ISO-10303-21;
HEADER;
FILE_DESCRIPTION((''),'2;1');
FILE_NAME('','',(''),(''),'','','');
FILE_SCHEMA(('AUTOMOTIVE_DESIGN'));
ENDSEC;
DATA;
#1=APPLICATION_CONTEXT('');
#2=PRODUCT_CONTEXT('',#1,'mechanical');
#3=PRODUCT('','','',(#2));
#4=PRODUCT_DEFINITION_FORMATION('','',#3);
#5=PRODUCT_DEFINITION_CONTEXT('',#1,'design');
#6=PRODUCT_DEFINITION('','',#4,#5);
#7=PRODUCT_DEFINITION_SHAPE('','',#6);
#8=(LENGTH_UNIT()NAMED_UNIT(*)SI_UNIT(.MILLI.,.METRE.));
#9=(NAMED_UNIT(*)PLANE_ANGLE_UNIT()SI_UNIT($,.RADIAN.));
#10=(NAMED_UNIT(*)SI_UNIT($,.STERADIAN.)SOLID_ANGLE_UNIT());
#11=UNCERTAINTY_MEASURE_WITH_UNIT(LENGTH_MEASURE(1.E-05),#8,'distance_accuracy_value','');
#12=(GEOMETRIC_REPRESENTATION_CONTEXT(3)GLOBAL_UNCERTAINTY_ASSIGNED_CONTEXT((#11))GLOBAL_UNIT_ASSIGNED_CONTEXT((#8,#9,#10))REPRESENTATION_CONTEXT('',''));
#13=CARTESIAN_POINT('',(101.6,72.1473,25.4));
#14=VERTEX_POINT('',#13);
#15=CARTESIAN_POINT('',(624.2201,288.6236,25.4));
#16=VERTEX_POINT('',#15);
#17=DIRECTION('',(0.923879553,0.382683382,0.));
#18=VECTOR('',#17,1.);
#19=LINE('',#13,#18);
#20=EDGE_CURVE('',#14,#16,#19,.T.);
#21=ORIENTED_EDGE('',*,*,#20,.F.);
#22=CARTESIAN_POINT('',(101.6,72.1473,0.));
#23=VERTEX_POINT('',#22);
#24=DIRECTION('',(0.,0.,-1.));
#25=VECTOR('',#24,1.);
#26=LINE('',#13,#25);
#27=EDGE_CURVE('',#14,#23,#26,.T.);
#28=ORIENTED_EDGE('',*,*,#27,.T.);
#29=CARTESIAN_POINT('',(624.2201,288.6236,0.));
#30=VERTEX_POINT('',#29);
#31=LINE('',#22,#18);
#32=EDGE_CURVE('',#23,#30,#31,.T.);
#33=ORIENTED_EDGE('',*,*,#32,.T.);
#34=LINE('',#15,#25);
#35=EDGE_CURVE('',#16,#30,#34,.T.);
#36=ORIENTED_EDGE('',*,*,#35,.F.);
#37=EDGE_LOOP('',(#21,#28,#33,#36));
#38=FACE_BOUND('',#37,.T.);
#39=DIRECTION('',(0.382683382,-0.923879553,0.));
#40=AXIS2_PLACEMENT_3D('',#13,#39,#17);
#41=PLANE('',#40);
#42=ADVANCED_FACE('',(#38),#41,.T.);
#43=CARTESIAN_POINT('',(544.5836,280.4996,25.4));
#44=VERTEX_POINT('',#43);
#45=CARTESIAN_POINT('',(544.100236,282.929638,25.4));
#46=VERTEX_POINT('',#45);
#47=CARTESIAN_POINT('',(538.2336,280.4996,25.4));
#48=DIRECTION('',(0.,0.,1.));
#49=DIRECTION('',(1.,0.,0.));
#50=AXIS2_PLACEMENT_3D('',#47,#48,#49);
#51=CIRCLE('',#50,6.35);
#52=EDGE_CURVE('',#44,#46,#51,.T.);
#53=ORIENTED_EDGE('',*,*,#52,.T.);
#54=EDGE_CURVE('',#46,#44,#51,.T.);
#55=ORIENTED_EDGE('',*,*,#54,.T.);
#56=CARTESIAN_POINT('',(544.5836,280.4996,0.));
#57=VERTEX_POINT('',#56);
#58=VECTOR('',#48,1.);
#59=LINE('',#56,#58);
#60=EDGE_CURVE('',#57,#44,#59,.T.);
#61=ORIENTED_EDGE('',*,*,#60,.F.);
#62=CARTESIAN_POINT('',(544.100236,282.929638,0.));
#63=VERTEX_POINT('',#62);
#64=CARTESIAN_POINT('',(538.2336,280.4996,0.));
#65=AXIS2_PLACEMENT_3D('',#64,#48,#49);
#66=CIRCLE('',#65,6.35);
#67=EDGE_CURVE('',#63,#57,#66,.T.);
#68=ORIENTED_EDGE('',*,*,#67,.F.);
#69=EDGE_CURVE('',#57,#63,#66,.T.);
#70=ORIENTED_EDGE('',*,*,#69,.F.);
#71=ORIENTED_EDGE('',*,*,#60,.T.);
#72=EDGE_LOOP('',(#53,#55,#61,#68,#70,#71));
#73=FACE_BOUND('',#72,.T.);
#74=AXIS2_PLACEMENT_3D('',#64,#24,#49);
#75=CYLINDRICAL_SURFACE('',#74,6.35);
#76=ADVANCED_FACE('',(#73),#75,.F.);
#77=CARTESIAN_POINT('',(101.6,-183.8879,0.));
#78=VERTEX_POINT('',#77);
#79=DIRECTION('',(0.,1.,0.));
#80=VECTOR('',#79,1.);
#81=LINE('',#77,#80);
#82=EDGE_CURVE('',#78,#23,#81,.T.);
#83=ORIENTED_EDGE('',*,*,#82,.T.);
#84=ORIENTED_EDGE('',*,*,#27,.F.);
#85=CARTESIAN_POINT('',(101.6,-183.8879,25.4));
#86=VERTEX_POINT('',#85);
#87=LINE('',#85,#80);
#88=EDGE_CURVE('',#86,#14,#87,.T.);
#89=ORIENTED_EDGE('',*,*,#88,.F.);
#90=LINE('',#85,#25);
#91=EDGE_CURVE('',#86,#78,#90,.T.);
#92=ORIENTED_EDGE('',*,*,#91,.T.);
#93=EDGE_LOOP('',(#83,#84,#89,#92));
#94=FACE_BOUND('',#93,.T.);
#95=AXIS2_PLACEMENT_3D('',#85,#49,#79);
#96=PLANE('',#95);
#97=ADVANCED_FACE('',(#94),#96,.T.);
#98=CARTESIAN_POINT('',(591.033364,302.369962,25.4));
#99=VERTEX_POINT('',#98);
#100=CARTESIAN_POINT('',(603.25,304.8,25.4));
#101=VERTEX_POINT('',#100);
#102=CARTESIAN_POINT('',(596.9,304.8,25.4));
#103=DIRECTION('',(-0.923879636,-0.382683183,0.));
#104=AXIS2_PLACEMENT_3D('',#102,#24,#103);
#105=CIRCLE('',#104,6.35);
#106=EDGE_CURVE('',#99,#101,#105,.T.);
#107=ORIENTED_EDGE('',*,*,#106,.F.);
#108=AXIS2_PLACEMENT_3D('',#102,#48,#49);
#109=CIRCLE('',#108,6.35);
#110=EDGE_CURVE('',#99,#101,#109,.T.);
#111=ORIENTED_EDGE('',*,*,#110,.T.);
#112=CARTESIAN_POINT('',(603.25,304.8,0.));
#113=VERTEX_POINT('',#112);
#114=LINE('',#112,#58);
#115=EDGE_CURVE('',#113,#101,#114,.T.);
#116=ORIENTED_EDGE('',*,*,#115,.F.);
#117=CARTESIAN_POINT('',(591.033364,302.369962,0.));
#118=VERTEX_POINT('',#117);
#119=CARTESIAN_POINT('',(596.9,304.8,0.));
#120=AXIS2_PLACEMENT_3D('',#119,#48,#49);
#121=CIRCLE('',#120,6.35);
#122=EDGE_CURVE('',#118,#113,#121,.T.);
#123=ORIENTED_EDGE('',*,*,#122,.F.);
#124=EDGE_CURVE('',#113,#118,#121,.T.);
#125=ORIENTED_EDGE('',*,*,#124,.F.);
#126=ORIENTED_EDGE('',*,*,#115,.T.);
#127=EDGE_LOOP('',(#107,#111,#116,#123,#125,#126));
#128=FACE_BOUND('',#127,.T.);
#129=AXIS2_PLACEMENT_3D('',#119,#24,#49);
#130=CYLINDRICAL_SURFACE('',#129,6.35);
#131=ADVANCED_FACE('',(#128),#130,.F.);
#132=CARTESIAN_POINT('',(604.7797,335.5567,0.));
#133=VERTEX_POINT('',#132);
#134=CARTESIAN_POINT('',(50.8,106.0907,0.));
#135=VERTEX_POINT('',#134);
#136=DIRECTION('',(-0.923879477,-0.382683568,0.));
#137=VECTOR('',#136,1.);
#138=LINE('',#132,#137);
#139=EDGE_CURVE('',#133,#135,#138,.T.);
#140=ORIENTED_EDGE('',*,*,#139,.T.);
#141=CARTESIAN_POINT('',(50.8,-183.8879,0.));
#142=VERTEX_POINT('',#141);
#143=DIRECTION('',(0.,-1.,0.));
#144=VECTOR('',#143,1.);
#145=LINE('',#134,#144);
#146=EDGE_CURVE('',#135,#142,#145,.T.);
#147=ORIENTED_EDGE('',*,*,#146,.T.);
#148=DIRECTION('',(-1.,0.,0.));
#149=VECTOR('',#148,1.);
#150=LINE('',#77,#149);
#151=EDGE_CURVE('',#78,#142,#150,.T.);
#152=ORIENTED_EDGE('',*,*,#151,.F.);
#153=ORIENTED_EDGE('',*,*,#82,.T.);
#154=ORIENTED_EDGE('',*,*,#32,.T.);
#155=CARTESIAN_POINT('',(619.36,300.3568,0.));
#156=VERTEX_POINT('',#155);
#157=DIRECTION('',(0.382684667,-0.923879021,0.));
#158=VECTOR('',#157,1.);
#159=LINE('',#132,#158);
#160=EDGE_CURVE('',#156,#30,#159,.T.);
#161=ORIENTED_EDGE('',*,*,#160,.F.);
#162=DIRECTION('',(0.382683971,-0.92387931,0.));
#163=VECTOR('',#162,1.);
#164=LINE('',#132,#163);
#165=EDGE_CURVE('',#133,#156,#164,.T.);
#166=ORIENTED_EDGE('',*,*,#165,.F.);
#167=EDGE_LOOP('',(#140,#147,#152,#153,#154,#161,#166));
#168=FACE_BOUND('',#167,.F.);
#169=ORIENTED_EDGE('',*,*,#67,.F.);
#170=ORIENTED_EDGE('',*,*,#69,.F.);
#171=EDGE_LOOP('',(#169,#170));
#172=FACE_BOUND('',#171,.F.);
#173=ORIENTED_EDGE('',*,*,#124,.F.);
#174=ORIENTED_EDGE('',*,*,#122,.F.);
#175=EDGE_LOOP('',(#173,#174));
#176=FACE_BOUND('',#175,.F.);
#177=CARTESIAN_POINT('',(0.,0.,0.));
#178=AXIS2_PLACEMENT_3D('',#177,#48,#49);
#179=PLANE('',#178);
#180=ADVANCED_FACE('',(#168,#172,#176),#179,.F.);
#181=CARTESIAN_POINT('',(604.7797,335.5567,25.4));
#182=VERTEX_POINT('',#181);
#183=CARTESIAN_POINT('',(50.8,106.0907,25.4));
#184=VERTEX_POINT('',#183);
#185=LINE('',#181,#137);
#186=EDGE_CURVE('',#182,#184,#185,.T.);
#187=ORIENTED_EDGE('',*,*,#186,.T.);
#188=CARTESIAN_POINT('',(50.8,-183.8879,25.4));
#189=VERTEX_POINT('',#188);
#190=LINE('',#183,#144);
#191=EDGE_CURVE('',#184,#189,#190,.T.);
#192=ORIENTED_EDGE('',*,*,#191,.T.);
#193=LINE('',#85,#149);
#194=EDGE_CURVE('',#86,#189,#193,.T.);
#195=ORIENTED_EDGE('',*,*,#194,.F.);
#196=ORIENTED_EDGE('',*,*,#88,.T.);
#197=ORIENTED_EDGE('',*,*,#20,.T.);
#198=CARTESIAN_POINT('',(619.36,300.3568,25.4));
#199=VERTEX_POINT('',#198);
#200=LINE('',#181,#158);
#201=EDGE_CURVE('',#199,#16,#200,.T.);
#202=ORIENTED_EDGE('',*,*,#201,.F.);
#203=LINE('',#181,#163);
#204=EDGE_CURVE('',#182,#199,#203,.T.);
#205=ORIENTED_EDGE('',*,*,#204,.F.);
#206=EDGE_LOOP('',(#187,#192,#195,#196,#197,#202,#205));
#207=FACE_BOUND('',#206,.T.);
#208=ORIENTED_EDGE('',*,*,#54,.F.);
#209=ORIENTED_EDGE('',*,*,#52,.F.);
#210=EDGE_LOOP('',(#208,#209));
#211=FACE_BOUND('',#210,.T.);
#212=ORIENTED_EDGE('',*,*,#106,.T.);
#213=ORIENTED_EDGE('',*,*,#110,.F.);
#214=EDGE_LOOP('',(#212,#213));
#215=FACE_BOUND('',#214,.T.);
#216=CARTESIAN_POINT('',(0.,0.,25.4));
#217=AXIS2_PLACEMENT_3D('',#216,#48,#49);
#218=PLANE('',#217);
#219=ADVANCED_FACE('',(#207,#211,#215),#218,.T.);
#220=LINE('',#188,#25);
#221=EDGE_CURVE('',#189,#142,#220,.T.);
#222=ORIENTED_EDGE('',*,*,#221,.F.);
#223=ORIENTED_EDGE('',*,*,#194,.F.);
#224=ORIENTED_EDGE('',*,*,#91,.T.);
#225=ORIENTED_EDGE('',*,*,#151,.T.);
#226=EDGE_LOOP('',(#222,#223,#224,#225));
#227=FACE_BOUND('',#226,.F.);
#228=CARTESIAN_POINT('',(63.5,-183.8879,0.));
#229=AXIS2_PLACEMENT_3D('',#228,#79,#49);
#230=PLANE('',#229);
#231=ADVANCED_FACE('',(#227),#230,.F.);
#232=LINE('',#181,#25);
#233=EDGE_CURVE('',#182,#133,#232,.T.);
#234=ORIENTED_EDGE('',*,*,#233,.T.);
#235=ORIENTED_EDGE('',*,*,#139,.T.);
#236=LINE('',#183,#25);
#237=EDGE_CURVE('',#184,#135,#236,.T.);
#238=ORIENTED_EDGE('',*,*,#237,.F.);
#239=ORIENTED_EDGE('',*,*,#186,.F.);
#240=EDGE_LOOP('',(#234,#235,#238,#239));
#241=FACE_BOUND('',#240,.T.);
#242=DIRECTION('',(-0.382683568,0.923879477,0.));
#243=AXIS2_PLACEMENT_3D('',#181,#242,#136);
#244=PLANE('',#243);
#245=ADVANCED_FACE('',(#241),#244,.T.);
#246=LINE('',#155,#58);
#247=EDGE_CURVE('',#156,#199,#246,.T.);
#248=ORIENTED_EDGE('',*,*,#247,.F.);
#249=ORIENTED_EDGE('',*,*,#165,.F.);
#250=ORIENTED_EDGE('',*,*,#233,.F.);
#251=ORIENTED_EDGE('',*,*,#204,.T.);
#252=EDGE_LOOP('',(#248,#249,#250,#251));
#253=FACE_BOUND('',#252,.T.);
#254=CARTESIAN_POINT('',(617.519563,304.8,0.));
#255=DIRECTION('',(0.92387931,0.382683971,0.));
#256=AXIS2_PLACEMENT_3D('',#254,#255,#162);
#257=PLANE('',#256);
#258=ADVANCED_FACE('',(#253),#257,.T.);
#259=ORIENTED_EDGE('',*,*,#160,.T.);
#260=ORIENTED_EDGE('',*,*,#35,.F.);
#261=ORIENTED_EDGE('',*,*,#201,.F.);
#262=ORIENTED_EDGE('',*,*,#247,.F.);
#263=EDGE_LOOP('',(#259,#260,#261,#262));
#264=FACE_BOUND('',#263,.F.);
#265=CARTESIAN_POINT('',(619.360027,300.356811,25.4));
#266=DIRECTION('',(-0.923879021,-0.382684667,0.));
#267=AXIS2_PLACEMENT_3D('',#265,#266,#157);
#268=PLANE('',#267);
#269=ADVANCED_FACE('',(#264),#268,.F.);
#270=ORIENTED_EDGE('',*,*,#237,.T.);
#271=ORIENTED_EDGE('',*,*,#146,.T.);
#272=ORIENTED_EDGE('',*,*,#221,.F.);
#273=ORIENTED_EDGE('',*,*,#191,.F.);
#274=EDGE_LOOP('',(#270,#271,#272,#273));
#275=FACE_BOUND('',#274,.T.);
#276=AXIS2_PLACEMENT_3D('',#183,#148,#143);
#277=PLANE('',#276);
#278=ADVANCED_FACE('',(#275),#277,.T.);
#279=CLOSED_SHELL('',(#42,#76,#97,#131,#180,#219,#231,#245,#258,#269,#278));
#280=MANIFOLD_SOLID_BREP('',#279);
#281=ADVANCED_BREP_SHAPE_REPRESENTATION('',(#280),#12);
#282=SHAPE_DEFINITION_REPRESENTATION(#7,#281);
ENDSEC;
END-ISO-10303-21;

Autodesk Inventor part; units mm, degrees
ref_plane "YZ Plane" through (0, 0, 0) normal (1, 0, 0) x (0, 1, 0)
ref_plane "XZ Plane" through (0, 0, 0) normal (0, 1, 0) x (-1, 0, 0)
ref_plane "Work Plane1" through (0, 0, 0) normal (0, 0, 1) x (1, 0, 0)
sketch "Sketch1" plane through (0, 0, 0) normal (0, 0, 1) x (1, 0, 0)
  line L0 (0, 0) -> (63.5, 0)
  line L1 (63.5, 0) -> (63.5, 482.6)
  line L2 (63.5, 482.6) -> (0, 482.6)
  line L3 (0, 482.6) -> (0, 0)
  line L4 (63.5, 482.6) -> (63.5, 406.4)
  line L5 (63.5, 482.6) -> (139.7, 482.6) construction
  line L6 (63.5, 406.4) -> (-63.5, 406.4)
  line L7 (63.5, 406.4) -> (63.5, 304.8)
  line L8 (63.5, 406.4) -> (165.1, 406.4) construction
  line L9 (63.5, 304.8) -> (1409.7, 304.8)
  line L10 (63.5, 304.8) -> (596.9, 304.8)
  circle A0 centre (596.9, 304.8) radius 88.9
  circle A1 centre (596.9, 304.8) radius 6.35
  line L11 (596.9, 304.8) -> (1174.248, 304.8) construction
  line L12 (596.9, 304.8) -> (538.2336, 280.4996)
  circle A2 centre (538.2336, 280.4996) radius 6.35
  line L13 (596.9, 304.8) -> (614.4999, 312.0901)
  line L14 (596.9, 304.8) -> (615.95, 304.8) construction
  line L15 (614.4999, 312.0901) -> (619.36, 300.3568)
  line L16 (619.36, 300.3568) -> (63.5, 70.1121)
  line L17 (614.4999, 312.0901) -> (609.6398, 323.8234)
  line L18 (614.4999, 312.0901) -> (627.1999, 312.0901) construction
  line L19 (609.6398, 323.8234) -> (63.5, 97.6049)
  line L20 (63.5, 70.1121) -> (63.5, -183.8879)
  line L21 (63.5, 70.1121) -> (317.5, 70.1121) construction
  line L22 (63.5, -183.8879) -> (88.9, -183.8879)
  line L23 (88.9, -183.8879) -> (88.9, 80.6331)
  dimension "d0" = 63.5
  dimension "d1" = 482.6
  dimension "d2" = 76.2
  dimension "d3" = 90
  dimension "d4" = 127
  dimension "d5" = 90
  dimension "d6" = 101.6
  dimension "d7" = 90
  dimension "d8" = 1346.2
  dimension "d9" = 90
  dimension "d10" = 533.4
  dimension "d11" = 177.8
  dimension "d12" = 12.7
  dimension "d14" = 63.5
  dimension "d15" = 12.7
  dimension "d16" = 19.05
  dimension "d17" = 22.5
  dimension "d18" = 12.7
  dimension "d19" = 90
  dimension "d20" = 90
  dimension "d21" = 12.7
  dimension "d22" = 112.5
  dimension "d23" = 591.1375
  dimension "d24" = 90
  dimension "d25" = 254
  dimension "d26" = 90
  dimension "d27" = 25.4
  dimension "d28" = 90
  dimension "d29" = 90
extrude "Extrusion1" add sketch "Sketch1" along normal blind 25.4 contours L1 L16 L23 L22 L20 | L1 L19 A0 L16 | L19 L9 A1 L15 L16 A0 | L19 L17 L13 A1 L9 | L9 A1 L13 L15
sketch "Sketch2" plane through (0, 0, 25.4) normal (0, 0, 1) x (1, 0, 0)
  circle A0 centre (596.9, 304.8) radius 6.35 projected
  line L0 (88.9, 80.6331) -> (619.36, 300.3568) projected
  line L1 (619.36, 300.3568) -> (609.6398, 323.8234) projected
  line L2 (609.6398, 323.8234) -> (63.5, 97.6049) projected
  line L3 (63.5, 97.6049) -> (63.5, -183.8879) projected
  line L4 (63.5, -183.8879) -> (88.9, -183.8879) projected
  line L5 (88.9, -183.8879) -> (88.9, 80.6331) projected
  line L6 (596.9, 304.8) -> (614.4999, 312.0901)
  line L7 (596.9, 304.8) -> (615.95, 304.8) construction
  line L8 (614.4999, 312.0901) -> (604.7797, 335.5567)
  line L9 (614.4999, 312.0901) -> (639.8999, 312.0901) construction
  line L10 (604.7797, 335.5567) -> (624.2201, 288.6236)
  line L11 (624.2201, 288.6236) -> (1203.6463, 288.6236) construction
  line L12 (604.7797, 335.5567) -> (1190.6567, 335.5567) construction
  line L13 (76.2, -183.8879) -> (101.6, -183.8879)
  line L14 (101.6, -183.8879) -> (50.8, -183.8879)
  line L15 (101.6, -183.8879) -> (101.6, 72.1473)
  line L16 (101.6, 72.1473) -> (624.2201, 288.6236)
  line L17 (604.7797, 335.5567) -> (50.8, 106.0907)
  line L18 (604.7797, 335.5567) -> (1204.4031, 335.5567) construction
  line L19 (50.8, 106.0907) -> (50.8, -183.8879)
  point P0 (0, 0)
  dimension "d32" = 22.5
  dimension "d33" = 25.4
  dimension "d34" = 112.5
  dimension "d35" = 50.8
  dimension "d36" = 0
  dimension "d39" = 25.4
  dimension "d40" = 50.8
  dimension "d42" = 157.5
extrude "Extrusion2" add sketch "Sketch2" against normal blind 25.4 contours L10 L16 L15 L13 L5 L0 | L2 L3 L14 L19 L17 L8
properties part number "CatapultArm"
